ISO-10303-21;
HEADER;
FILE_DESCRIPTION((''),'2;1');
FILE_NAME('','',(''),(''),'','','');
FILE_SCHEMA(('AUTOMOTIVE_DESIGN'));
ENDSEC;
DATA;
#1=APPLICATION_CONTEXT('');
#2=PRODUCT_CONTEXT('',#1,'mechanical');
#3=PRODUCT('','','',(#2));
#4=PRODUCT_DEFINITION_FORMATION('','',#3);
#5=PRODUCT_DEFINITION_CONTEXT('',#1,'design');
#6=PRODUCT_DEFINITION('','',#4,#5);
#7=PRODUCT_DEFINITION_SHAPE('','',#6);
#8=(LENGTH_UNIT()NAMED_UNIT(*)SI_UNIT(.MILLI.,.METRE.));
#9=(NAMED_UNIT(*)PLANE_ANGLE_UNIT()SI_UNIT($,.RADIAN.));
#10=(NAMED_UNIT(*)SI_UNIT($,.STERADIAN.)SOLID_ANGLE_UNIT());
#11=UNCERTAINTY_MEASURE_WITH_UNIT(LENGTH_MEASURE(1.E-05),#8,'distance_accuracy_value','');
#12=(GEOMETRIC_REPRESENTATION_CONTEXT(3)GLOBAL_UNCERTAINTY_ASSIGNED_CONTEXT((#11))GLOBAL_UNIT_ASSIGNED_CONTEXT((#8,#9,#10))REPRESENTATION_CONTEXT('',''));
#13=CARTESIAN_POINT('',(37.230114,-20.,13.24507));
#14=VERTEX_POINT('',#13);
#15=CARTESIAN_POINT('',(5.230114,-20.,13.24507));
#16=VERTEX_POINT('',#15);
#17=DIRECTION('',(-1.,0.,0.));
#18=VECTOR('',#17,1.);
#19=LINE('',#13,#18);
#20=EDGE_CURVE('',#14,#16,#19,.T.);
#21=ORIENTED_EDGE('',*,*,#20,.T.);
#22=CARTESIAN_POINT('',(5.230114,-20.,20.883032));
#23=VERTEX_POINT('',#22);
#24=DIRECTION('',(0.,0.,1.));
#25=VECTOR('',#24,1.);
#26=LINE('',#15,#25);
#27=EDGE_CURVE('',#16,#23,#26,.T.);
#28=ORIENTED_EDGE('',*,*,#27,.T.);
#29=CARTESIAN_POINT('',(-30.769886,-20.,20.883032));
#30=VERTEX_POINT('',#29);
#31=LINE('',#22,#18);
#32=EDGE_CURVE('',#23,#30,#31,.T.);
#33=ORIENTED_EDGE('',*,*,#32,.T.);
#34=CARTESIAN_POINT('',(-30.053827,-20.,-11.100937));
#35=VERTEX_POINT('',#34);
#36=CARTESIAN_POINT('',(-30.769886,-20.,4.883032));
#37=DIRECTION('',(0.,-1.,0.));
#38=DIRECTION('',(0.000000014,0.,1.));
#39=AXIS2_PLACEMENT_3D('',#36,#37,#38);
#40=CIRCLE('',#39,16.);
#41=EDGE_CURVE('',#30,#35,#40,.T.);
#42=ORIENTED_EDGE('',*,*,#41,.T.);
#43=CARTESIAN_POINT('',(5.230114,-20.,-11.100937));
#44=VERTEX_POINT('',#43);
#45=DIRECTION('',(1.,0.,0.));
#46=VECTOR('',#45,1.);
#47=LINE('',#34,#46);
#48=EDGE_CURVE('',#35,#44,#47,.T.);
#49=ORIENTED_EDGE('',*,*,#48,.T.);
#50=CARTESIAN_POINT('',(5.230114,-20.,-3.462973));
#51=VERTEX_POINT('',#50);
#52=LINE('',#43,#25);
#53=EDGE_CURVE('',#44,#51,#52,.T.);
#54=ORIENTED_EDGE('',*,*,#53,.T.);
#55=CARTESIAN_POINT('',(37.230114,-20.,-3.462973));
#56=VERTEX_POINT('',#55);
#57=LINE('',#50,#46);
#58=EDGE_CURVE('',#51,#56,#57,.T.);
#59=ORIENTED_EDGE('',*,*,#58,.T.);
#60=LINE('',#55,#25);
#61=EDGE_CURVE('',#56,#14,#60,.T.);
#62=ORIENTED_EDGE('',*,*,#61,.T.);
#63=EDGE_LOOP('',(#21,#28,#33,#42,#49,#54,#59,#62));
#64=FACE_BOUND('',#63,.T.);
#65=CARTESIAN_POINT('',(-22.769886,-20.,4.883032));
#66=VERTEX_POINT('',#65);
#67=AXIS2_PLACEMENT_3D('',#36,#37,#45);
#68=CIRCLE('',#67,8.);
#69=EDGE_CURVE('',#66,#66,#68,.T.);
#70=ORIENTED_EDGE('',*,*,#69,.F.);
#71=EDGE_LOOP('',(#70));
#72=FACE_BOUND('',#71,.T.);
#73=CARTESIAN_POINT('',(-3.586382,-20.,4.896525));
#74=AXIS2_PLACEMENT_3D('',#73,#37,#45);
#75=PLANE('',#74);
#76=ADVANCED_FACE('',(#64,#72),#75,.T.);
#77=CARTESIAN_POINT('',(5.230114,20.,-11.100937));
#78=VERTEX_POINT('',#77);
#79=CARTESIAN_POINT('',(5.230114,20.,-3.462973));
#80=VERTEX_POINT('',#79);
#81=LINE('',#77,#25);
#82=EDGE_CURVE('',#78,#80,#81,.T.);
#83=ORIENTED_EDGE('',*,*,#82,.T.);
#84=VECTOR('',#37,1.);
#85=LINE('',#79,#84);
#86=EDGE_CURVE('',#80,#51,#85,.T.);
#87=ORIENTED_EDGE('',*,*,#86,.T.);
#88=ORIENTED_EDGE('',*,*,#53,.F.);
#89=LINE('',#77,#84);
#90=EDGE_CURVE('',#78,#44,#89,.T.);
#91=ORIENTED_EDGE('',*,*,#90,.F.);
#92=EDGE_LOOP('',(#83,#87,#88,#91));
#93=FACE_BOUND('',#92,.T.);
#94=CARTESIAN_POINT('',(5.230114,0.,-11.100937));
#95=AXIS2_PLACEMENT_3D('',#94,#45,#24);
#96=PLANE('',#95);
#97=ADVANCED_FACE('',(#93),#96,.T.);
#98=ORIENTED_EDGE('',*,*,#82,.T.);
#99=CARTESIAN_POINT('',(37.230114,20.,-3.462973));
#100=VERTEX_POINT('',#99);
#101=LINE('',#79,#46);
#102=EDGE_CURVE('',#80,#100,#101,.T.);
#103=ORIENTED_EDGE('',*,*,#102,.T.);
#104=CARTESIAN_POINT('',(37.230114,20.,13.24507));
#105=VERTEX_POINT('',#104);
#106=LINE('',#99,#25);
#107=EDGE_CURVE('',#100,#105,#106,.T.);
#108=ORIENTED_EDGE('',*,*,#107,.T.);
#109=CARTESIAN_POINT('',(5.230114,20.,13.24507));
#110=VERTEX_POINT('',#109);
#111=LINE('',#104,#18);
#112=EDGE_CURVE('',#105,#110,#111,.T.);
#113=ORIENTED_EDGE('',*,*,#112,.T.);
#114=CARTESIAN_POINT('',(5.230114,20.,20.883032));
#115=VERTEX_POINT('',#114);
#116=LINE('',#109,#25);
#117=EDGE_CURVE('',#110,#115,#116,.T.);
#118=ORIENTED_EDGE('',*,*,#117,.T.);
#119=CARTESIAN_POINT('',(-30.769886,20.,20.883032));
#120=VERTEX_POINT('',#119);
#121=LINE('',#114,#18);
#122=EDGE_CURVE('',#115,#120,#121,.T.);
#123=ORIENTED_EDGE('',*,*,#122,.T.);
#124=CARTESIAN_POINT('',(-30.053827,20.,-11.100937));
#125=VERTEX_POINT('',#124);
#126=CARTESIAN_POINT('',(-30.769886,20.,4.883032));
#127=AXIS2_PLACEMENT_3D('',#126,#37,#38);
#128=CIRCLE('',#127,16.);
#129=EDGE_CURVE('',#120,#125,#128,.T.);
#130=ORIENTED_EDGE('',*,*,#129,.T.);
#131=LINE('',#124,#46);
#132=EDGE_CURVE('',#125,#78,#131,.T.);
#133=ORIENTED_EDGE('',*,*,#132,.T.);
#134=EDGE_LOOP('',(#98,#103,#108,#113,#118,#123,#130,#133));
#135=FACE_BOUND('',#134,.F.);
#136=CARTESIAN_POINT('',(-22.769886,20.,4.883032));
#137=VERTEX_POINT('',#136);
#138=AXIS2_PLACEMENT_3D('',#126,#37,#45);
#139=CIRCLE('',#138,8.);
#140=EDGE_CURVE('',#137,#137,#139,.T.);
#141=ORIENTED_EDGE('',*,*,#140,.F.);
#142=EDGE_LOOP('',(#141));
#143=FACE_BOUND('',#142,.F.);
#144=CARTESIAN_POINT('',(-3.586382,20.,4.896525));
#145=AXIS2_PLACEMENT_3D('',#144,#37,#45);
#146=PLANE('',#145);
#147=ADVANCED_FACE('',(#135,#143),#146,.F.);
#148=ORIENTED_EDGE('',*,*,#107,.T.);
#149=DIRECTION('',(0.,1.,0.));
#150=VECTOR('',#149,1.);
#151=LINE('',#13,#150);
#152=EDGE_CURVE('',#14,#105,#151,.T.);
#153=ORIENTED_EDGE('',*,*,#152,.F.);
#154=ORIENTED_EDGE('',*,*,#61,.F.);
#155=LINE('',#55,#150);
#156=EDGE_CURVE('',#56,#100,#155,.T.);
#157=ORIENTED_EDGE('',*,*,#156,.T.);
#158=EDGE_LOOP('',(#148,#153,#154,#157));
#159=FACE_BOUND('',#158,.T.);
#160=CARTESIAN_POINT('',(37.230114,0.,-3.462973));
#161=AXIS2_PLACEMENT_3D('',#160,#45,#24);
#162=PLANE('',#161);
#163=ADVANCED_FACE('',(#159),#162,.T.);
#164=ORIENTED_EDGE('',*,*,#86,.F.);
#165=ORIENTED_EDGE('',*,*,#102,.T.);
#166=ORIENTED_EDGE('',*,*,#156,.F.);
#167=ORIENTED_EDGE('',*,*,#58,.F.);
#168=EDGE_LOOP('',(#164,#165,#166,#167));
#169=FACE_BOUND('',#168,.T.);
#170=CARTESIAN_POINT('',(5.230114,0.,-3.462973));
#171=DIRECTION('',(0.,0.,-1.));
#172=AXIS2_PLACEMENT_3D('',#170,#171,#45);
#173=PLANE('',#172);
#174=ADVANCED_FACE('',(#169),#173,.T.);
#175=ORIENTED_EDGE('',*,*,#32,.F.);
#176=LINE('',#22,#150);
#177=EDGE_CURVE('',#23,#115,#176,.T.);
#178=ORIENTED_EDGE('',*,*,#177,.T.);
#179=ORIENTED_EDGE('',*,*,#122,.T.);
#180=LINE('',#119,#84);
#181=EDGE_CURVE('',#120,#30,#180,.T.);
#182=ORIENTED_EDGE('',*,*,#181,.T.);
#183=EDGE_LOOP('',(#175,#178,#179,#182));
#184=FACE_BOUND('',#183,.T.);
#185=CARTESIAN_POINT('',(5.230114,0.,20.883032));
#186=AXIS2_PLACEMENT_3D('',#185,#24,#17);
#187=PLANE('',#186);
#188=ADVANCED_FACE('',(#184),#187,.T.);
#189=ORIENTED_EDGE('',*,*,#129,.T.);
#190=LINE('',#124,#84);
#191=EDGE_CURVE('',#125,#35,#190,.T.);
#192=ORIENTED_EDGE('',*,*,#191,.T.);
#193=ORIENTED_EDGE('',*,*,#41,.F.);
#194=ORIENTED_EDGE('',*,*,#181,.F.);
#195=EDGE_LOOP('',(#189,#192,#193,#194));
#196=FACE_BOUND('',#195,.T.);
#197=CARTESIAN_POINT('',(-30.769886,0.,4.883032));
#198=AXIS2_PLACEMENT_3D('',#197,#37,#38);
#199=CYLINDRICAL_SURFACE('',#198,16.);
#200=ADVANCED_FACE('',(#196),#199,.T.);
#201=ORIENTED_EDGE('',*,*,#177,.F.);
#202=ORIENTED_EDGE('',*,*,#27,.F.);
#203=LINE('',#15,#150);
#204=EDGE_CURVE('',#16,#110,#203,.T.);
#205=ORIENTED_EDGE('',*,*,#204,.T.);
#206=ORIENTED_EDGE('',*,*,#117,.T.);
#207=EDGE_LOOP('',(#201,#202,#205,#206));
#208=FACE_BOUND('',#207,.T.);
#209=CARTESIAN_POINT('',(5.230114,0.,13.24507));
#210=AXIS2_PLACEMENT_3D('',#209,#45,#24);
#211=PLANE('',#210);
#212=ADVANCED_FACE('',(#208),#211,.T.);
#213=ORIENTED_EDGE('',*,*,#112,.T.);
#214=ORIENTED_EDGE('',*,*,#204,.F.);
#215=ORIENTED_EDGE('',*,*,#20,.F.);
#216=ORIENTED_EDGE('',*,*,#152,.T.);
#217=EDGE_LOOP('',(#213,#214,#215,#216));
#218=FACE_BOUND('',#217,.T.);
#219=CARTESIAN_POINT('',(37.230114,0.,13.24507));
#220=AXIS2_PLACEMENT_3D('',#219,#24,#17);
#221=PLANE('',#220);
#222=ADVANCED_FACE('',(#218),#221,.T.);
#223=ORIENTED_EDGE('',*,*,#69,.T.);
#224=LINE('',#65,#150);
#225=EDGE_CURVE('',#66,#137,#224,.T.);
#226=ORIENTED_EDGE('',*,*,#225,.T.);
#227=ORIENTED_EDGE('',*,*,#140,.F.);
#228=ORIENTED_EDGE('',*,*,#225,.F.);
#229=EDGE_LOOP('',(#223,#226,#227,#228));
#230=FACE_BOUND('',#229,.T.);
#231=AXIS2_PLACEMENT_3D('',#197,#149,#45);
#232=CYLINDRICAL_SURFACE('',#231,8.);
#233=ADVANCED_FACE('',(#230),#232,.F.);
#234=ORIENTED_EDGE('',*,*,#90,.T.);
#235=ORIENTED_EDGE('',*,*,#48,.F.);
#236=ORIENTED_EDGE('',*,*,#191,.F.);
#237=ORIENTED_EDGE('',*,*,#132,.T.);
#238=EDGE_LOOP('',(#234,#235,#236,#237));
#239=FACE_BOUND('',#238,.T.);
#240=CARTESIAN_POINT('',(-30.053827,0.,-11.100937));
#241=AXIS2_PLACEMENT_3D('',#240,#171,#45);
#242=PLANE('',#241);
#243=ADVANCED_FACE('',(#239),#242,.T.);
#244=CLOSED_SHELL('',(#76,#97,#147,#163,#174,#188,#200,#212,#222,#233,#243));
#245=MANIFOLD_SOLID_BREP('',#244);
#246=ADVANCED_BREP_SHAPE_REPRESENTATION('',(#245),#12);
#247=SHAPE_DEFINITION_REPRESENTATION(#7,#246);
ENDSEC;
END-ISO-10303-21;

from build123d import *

# Parameters (mm, degrees)
F0_R     = 8
F1_DEPTH = 20


with BuildPart() as f1:
    # F0 (on Front) → F1 (new body, symmetric)
    with BuildSketch(Plane.XZ):
        with BuildLine():
            Line((5.230114, 20.883032), (-30.769886, 20.883032))
            ThreePointArc((-30.769886, 20.883032), (-46.765878, 4.524912), (-30.053827, -11.100937))
            Line((-30.053827, -11.100937), (5.230114, -11.100937))
            Line((5.230114, -11.100937), (5.230114, -3.462973))
            Line((5.230114, -3.462973), (37.230114, -3.462973))
            Line((37.230114, -3.462973), (37.230114, 13.24507))
            Line((37.230114, 13.24507), (5.230114, 13.24507))
            Line((5.230114, 13.24507), (5.230114, 20.883032))
        make_face()
        with Locations((-30.769886, 4.883032)):
            Circle(F0_R, mode=Mode.SUBTRACT)
    extrude(amount=F1_DEPTH, both=True)


solid = f1.part
